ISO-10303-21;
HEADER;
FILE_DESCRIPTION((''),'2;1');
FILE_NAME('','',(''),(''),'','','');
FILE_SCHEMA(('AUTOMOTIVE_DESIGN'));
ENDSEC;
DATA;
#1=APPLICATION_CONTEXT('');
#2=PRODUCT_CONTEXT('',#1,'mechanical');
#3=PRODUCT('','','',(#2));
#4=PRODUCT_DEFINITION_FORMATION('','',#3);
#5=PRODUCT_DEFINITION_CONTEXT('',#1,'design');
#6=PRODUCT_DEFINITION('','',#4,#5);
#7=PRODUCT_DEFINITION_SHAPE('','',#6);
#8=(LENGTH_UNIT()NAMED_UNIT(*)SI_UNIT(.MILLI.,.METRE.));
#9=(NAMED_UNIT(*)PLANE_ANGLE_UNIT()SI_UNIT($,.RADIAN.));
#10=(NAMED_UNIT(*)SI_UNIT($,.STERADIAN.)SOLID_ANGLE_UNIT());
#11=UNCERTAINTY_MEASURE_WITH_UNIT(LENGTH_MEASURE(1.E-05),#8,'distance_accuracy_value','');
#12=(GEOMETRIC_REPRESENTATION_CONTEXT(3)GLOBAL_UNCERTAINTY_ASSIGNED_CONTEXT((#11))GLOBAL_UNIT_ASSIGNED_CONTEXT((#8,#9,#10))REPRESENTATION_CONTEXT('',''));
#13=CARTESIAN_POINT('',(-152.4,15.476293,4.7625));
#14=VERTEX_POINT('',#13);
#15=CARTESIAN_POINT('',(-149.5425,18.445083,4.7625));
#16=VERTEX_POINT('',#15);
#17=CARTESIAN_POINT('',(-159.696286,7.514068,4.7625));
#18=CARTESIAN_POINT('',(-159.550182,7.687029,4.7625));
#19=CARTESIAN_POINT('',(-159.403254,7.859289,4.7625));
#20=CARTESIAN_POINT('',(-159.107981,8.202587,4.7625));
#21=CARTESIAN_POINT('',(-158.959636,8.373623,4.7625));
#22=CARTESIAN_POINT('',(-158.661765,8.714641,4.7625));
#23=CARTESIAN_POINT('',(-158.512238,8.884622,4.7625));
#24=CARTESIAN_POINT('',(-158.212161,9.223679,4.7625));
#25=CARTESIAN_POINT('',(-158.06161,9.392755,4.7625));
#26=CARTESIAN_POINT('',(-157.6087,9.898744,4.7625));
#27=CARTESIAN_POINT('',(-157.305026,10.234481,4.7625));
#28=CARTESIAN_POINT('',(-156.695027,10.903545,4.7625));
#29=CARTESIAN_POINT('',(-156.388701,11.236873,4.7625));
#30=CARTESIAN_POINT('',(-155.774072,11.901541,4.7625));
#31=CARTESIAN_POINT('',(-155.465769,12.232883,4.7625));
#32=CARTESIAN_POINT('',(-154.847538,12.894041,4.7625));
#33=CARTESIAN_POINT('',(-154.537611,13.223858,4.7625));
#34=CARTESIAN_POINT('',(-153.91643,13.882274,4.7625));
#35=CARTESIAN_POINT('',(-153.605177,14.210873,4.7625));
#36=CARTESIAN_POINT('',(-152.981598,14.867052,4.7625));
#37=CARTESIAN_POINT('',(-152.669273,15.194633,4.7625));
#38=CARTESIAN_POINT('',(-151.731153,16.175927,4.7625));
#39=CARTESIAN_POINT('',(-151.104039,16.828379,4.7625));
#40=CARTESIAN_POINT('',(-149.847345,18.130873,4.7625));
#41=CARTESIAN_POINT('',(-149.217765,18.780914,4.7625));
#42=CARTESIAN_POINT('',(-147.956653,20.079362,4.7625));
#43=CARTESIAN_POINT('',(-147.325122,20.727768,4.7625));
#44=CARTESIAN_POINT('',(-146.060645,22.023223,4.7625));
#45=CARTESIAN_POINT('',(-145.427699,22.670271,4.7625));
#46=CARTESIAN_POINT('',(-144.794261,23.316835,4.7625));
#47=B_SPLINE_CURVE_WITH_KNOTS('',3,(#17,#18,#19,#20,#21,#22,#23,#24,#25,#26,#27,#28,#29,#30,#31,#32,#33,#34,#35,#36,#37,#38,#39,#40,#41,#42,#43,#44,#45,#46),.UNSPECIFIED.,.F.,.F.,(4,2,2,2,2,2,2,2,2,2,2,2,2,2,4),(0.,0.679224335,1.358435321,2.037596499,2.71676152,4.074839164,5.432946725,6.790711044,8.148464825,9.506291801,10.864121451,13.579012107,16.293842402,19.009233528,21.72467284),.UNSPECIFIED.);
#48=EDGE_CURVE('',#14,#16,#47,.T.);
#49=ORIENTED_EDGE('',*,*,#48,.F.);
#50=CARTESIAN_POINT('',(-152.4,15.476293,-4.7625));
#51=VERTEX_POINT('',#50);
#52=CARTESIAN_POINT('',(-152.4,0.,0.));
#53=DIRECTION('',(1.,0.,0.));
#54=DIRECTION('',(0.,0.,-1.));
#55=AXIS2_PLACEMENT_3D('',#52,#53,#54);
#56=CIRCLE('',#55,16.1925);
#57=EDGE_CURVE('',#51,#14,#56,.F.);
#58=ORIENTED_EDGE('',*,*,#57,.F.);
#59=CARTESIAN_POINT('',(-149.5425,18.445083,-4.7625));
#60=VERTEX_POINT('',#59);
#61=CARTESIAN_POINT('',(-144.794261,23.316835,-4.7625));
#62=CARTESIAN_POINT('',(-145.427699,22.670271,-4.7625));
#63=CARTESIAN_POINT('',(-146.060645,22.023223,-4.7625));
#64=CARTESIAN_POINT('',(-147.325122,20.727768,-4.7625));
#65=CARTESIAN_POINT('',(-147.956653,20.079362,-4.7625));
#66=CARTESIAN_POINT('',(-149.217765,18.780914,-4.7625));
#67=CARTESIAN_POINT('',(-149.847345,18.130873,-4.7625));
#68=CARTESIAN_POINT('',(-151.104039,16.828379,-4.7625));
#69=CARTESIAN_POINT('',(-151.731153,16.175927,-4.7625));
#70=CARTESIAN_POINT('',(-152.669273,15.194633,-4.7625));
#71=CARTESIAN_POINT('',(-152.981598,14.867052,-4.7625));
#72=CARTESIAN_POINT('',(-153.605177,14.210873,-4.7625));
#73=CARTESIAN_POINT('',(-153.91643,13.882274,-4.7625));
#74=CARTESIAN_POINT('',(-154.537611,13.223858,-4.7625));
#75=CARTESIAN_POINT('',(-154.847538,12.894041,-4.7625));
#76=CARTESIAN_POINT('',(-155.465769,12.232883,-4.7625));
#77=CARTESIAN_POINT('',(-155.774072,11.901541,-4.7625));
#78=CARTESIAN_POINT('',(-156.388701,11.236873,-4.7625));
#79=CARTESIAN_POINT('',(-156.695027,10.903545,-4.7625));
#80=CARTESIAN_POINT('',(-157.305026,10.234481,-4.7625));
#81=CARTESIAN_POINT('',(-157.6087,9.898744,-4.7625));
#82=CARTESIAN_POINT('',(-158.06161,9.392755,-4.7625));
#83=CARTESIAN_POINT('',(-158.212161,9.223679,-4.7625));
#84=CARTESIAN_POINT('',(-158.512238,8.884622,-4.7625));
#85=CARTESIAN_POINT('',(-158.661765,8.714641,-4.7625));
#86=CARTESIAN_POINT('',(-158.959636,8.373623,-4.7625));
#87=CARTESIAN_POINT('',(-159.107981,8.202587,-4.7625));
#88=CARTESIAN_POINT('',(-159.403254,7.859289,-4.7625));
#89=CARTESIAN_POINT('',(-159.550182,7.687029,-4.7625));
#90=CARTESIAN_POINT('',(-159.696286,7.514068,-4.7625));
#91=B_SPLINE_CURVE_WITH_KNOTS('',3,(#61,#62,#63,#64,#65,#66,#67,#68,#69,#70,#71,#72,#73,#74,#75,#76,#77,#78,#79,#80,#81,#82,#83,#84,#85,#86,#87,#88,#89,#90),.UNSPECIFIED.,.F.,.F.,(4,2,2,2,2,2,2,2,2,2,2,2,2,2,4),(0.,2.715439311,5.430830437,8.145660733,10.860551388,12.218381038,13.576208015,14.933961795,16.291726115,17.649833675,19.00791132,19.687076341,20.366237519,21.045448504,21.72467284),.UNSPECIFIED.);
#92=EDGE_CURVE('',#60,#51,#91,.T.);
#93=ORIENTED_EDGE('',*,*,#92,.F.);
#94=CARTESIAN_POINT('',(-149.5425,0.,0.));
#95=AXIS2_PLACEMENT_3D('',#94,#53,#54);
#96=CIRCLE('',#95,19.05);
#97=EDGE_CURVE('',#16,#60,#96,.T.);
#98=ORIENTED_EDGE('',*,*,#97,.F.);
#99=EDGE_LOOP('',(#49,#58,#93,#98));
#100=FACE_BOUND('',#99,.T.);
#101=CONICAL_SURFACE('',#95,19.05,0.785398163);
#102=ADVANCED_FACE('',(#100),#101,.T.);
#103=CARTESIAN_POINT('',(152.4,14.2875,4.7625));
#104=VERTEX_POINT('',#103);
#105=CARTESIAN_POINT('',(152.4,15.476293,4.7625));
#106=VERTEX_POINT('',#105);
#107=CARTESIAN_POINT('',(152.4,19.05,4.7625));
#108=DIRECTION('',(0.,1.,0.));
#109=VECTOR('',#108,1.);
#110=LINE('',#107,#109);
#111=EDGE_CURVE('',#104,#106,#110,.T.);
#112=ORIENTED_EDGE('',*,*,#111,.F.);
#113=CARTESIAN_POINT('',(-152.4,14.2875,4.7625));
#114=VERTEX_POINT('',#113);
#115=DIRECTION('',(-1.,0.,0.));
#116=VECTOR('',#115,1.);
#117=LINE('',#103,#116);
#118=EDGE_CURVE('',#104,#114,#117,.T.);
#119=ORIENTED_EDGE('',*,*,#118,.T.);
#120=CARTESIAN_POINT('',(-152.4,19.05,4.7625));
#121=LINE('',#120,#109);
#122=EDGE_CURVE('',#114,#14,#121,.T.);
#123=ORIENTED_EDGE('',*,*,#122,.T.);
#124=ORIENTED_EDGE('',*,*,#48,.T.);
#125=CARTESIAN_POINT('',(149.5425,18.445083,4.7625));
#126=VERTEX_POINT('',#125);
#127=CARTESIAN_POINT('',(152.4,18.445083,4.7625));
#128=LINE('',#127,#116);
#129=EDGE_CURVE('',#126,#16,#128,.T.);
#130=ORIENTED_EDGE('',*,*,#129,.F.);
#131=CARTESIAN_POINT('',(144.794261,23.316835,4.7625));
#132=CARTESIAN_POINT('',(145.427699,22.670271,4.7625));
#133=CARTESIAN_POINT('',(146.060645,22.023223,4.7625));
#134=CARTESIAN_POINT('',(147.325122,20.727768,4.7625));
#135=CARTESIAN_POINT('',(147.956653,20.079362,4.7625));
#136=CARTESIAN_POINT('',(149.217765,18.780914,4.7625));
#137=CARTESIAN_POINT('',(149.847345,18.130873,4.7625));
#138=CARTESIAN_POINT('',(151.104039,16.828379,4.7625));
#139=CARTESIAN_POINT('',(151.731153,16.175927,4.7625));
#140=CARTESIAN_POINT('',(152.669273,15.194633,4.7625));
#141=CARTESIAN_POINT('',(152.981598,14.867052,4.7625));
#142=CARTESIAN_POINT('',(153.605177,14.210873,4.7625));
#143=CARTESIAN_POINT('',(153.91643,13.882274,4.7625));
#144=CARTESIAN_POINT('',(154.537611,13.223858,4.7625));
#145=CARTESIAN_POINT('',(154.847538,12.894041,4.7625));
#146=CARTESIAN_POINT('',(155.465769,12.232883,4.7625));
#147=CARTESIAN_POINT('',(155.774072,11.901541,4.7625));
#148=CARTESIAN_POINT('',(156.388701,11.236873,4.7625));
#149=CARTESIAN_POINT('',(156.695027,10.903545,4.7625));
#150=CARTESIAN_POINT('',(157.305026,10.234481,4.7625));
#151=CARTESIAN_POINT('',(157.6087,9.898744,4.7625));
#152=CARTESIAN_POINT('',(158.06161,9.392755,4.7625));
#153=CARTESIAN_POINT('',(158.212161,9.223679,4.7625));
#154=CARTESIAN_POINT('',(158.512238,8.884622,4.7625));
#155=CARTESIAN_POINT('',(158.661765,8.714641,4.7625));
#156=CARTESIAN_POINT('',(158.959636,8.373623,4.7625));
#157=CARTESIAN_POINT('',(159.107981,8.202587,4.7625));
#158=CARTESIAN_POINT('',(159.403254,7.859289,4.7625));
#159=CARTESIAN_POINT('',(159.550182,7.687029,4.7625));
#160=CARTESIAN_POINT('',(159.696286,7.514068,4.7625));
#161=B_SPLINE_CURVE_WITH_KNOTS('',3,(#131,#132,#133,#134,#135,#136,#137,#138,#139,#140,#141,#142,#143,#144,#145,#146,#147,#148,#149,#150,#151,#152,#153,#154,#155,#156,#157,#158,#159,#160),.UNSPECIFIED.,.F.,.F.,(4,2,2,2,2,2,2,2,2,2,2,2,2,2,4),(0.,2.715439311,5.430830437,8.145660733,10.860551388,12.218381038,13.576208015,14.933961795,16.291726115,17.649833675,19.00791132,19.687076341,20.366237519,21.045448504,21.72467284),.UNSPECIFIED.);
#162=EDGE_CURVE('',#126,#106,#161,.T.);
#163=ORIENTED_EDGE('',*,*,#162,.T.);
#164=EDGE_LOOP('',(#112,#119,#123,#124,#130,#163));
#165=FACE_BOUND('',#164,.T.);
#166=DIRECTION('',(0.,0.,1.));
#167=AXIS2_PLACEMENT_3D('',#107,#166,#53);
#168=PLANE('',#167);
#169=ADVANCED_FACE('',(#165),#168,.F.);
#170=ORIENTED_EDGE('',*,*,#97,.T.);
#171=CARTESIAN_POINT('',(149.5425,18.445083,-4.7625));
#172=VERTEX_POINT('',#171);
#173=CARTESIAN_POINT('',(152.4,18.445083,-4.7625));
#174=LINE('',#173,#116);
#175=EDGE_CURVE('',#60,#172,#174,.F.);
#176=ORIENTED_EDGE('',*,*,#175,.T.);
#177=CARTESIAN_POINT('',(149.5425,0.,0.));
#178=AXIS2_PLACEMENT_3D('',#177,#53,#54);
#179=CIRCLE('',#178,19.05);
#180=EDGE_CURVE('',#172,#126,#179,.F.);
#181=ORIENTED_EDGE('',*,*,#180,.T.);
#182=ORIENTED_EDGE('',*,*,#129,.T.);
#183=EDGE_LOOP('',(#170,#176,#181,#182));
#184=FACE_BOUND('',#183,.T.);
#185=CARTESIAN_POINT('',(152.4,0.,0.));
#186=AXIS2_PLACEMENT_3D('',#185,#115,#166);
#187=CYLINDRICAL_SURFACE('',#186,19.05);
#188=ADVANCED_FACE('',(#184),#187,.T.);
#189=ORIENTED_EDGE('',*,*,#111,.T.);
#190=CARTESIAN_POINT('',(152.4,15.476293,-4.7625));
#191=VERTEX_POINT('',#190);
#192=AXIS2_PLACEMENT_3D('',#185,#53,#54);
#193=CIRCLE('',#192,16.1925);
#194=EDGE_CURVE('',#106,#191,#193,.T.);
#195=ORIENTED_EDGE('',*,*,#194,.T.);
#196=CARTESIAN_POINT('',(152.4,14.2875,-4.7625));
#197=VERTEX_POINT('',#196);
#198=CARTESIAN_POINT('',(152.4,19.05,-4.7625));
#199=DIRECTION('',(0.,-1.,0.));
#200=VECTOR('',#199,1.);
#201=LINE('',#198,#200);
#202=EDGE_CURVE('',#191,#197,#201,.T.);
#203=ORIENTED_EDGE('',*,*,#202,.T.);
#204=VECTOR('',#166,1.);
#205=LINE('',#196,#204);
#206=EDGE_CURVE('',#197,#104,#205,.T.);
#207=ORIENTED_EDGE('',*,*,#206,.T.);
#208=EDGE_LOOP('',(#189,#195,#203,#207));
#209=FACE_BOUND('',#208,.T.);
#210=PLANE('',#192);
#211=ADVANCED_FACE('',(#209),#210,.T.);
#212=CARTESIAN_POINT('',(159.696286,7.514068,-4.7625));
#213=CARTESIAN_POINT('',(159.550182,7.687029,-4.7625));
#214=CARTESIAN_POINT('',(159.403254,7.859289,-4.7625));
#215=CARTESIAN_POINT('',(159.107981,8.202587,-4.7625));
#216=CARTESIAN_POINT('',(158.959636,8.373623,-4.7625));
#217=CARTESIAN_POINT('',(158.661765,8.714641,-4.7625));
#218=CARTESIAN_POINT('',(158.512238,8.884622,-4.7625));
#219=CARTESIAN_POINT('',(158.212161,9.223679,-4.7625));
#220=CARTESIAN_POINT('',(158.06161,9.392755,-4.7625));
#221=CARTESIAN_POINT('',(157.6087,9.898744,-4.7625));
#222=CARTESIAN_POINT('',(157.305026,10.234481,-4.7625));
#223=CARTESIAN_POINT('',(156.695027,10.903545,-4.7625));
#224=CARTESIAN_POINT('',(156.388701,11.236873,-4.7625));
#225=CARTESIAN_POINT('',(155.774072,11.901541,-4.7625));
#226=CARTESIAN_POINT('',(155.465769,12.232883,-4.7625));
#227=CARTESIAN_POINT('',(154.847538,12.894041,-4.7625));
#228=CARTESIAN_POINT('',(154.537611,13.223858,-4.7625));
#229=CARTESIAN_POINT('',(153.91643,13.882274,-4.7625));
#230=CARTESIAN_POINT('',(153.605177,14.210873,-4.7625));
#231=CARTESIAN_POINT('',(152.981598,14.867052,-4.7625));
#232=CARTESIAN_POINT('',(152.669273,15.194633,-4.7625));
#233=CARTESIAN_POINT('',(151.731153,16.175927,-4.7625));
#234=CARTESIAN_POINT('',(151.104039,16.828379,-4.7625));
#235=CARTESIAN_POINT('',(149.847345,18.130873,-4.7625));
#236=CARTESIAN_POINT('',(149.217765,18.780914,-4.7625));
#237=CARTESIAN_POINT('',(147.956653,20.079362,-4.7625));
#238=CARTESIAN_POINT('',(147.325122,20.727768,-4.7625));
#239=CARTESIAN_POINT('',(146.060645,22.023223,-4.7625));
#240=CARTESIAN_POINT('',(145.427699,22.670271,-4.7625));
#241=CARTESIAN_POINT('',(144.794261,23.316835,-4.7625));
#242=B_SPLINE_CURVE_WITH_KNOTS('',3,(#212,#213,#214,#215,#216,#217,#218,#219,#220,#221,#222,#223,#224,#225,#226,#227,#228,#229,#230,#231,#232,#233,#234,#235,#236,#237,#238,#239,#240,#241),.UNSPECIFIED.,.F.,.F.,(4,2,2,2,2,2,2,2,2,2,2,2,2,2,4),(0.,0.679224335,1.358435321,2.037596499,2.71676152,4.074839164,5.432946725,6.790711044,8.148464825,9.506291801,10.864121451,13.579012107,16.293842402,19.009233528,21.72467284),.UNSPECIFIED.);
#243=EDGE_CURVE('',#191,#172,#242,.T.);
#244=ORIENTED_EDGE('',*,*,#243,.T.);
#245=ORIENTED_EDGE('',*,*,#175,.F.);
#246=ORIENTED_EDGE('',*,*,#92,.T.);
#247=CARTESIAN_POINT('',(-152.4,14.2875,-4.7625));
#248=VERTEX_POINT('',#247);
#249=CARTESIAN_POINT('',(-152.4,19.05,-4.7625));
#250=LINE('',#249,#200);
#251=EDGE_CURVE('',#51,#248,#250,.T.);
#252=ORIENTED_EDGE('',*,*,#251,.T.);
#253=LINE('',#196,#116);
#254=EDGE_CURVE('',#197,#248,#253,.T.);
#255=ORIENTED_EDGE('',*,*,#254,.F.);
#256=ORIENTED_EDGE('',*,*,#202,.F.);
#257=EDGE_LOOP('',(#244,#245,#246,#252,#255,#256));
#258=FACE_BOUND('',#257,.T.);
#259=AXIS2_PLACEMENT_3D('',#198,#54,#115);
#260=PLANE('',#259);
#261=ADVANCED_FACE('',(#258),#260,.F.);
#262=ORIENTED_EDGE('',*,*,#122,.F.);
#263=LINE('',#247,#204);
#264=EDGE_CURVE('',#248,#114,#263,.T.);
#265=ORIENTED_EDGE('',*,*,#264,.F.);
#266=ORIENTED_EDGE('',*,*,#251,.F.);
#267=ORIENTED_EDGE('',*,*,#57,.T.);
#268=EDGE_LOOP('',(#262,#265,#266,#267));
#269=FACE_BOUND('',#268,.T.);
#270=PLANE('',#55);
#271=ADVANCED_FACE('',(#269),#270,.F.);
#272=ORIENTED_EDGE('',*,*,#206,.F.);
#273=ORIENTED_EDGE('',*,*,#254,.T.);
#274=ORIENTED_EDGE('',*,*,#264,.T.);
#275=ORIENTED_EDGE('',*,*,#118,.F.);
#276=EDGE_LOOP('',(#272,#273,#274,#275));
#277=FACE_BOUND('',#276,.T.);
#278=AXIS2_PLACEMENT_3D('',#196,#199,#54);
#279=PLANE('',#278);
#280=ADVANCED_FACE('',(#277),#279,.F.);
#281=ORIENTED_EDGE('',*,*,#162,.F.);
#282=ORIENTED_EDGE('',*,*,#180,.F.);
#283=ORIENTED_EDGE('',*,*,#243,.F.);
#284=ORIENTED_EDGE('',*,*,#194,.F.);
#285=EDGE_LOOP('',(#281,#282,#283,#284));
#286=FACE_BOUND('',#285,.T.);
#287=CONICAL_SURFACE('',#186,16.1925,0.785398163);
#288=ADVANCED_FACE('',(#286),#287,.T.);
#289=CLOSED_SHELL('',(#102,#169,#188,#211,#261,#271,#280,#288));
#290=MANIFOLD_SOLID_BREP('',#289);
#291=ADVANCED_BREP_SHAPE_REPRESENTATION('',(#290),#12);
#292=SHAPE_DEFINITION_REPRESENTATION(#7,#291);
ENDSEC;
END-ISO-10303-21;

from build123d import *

# Parameters (mm, degrees)
SKETCH1_R           = 19.05
EXTRUDE1_DEPTH      = 152.4
CHAMFER1_SIZE       = 2.8575
SKETCH3_W           = 9.525
SKETCH3_H           = 4.7625
EXTRUDE2_DEPTH      = 153.4
EXTRUDE2_DEPTH_BACK = 153.4


with BuildPart() as part:
    # Sketch1 → Extrude1 (new body, symmetric)
    with BuildSketch(Plane(origin=(0, 0, 0), x_dir=(0, 0, -1), z_dir=(1, 0, 0))):
        Circle(SKETCH1_R)
    extrude(amount=EXTRUDE1_DEPTH, both=True)

    # Chamfer1
    chamfer1_edges = [part.edges().sort_by_distance(p)[0] for p in [
        (-152.4, 0, 19.05),
        (152.4, 0, 19.05),
    ]]
    chamfer(chamfer1_edges, length=CHAMFER1_SIZE)

    # Sketch3 → Extrude2 (cut, two sides)
    with BuildSketch(Plane.ZY) as extrude2_sk:
        with Locations((0, 16.66875)):
            Rectangle(SKETCH3_W, SKETCH3_H)
    extrude(amount=EXTRUDE2_DEPTH, mode=Mode.SUBTRACT)
    extrude(extrude2_sk.sketch, amount=-EXTRUDE2_DEPTH_BACK, mode=Mode.SUBTRACT)


solid = part.part
